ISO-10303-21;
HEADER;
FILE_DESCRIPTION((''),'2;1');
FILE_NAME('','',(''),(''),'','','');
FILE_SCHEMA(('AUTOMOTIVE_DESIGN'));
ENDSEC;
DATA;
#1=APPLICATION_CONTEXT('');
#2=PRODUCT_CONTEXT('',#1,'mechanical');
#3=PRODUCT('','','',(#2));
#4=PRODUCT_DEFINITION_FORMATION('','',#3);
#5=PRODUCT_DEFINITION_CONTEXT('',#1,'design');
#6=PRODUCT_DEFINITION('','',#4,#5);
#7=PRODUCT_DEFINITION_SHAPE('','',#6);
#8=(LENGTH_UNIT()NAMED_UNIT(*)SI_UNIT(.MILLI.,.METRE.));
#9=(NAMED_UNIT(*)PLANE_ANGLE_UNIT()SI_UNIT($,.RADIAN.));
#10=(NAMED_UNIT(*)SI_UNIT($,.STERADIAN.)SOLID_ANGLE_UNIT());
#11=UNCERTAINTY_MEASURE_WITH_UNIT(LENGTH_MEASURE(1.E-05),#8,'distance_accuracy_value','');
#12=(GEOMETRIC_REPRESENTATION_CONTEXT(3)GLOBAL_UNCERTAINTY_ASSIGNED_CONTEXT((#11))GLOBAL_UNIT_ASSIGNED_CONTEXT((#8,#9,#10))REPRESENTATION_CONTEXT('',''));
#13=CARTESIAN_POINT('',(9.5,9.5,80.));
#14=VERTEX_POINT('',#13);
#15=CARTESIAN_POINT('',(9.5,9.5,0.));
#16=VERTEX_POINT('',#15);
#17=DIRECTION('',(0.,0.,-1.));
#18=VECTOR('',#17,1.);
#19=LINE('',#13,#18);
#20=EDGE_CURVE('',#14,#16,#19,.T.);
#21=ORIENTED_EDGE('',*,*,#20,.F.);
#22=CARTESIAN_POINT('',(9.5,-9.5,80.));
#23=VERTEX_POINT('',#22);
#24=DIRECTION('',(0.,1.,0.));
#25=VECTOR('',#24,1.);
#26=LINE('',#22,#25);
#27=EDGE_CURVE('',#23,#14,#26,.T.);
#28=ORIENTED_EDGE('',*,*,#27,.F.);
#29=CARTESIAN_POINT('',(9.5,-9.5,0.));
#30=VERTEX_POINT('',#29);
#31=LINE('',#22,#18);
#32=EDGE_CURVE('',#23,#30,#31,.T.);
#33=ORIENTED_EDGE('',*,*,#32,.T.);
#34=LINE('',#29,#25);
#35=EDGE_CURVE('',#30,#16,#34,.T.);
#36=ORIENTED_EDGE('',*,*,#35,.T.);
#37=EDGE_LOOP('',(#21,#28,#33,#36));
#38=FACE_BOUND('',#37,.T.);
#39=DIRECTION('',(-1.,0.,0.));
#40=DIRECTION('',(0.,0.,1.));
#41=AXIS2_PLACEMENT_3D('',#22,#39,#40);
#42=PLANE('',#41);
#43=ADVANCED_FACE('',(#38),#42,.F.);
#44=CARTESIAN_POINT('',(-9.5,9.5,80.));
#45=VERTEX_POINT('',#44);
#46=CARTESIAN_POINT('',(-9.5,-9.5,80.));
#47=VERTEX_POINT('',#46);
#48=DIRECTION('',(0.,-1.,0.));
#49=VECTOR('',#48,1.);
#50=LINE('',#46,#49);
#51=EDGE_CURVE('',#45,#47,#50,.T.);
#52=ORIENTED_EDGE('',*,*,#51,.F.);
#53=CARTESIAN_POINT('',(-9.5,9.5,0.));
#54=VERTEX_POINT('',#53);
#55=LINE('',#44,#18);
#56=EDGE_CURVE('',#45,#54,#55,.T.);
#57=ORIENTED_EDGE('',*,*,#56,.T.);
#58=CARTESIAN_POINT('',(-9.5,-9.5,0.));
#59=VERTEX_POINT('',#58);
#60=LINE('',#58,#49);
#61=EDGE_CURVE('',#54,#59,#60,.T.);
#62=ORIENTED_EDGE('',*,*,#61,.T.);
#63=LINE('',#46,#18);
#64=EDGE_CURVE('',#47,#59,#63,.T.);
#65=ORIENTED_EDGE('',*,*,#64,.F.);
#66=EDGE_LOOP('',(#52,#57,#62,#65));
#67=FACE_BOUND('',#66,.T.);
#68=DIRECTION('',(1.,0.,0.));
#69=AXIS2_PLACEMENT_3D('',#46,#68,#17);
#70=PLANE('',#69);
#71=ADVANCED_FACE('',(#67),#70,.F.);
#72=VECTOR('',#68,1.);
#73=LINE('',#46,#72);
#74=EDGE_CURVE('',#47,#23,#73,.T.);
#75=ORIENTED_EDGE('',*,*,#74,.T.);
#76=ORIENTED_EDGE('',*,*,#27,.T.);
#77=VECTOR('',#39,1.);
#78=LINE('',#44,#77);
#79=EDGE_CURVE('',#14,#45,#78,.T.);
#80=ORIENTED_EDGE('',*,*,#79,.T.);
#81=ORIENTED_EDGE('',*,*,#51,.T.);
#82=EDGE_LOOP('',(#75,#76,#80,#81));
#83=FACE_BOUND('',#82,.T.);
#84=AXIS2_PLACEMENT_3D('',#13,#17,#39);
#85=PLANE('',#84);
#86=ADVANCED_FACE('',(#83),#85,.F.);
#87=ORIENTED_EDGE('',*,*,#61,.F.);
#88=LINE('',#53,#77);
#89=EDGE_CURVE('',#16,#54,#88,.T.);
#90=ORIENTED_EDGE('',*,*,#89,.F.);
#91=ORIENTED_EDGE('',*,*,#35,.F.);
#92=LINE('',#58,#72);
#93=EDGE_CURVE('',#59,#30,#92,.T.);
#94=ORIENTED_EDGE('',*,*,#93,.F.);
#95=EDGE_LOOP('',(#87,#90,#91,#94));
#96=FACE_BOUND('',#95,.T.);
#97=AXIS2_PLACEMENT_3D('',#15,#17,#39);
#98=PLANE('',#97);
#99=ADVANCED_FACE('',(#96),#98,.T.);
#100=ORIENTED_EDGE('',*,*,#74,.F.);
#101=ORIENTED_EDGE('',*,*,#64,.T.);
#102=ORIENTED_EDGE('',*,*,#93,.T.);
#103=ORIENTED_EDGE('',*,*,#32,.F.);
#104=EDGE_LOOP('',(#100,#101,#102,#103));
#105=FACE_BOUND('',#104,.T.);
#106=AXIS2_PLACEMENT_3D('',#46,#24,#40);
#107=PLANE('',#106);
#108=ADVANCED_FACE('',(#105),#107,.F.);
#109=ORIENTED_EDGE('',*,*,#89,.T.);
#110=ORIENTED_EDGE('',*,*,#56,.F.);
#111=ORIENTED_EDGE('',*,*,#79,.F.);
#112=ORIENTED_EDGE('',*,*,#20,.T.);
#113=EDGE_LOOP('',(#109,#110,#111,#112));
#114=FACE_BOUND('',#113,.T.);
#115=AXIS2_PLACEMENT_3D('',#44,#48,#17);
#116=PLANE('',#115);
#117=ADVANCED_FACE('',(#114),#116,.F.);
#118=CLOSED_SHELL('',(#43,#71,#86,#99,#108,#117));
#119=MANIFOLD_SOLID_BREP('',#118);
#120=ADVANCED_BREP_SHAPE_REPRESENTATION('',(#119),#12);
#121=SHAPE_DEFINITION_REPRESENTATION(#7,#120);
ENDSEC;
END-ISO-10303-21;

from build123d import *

# Parameters (mm, degrees)
SKETCH1_W           = 19
SKETCH1_H           = 19
BOSS_EXTRUDE1_DEPTH = 80


with BuildPart() as part:
    # Sketch1 → Boss-Extrude1 (new body)
    with BuildSketch(Plane.XY):
        Rectangle(SKETCH1_W, SKETCH1_H)
    extrude(amount=BOSS_EXTRUDE1_DEPTH)


solid = part.part
